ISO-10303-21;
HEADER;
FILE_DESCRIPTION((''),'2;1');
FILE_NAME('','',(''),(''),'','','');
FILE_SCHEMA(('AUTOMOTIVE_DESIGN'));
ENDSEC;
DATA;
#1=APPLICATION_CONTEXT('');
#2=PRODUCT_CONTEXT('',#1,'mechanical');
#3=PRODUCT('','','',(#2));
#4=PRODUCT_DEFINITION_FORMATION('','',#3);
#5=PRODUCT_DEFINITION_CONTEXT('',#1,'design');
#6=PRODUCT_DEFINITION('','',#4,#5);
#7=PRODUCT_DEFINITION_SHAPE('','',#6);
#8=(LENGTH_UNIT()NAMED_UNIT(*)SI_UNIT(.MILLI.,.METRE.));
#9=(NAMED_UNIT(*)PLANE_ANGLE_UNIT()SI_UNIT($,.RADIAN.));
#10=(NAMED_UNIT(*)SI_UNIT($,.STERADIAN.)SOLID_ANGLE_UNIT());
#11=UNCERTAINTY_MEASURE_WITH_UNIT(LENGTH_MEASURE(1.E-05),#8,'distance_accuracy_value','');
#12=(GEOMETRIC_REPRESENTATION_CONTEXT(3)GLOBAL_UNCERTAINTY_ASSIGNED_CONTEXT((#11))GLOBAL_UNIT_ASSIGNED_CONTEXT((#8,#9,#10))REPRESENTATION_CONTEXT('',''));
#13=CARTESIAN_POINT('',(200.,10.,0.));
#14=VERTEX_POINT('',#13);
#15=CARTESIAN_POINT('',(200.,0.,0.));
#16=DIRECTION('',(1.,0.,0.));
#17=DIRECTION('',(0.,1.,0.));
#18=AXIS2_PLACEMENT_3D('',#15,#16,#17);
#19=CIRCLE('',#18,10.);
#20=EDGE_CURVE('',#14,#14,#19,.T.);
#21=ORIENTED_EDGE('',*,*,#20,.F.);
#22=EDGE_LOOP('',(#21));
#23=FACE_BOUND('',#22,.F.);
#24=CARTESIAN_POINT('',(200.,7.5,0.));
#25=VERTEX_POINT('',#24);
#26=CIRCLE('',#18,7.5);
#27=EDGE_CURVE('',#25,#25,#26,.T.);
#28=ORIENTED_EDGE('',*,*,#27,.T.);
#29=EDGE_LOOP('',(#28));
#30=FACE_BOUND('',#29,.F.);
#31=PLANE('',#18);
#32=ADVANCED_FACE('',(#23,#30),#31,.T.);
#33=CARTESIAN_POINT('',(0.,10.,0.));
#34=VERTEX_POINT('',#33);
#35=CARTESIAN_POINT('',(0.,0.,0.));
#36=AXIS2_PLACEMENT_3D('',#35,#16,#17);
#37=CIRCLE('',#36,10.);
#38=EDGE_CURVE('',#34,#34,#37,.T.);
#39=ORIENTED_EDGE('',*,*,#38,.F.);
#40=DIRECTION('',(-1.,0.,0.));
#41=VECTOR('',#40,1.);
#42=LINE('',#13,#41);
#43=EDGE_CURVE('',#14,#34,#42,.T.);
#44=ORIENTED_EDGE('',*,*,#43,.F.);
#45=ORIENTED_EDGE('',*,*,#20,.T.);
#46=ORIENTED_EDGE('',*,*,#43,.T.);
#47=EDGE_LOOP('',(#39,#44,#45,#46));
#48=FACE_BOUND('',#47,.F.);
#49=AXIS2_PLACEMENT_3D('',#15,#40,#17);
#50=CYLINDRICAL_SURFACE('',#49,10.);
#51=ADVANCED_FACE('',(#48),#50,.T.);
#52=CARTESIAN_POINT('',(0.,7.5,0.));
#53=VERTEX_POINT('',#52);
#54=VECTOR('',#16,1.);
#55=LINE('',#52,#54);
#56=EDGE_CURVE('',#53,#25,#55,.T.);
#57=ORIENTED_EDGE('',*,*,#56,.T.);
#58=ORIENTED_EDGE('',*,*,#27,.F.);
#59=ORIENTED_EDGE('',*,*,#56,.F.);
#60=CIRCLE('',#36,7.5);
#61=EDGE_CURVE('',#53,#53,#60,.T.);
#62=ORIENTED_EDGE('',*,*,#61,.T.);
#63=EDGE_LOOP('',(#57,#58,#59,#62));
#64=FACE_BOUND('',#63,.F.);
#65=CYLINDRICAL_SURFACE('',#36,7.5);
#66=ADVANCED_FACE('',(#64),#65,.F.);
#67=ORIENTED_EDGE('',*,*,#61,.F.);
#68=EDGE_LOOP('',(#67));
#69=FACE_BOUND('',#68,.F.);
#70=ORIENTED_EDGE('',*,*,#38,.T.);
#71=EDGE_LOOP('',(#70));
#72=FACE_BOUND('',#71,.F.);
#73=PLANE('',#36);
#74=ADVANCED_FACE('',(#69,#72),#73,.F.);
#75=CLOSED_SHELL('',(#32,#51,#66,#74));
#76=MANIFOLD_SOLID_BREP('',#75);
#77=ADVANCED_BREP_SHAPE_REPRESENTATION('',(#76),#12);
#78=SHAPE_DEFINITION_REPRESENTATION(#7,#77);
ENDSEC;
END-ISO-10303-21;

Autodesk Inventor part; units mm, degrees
ref_plane "YZ Plane" through (0, 0, 0) normal (1, 0, 0) x (0, 1, 0)
ref_plane "XZ Plane" through (0, 0, 0) normal (0, 1, 0) x (-1, 0, 0)
ref_plane "XY Plane" through (0, 0, 0) normal (0, 0, 1) x (1, 0, 0)
sketch "Sketch_1" plane through (0, 0, 0) normal (0, 0, 1) x (1, 0, 0)
  line L0 (200, 0) -> (0, 0)
  line L1 (0, 7.5) -> (200, 7.5)
  line L2 (200, 7.5) -> (200, 10)
  line L3 (200, 10) -> (0, 10)
  line L4 (0, 10) -> (0, 7.5)
revolve "Revolution1" add sketch "Sketch_1" angle 360 about axis through (200, 0, 0) along (1, 0, 0)
properties part number "PIJM20-15-200"
